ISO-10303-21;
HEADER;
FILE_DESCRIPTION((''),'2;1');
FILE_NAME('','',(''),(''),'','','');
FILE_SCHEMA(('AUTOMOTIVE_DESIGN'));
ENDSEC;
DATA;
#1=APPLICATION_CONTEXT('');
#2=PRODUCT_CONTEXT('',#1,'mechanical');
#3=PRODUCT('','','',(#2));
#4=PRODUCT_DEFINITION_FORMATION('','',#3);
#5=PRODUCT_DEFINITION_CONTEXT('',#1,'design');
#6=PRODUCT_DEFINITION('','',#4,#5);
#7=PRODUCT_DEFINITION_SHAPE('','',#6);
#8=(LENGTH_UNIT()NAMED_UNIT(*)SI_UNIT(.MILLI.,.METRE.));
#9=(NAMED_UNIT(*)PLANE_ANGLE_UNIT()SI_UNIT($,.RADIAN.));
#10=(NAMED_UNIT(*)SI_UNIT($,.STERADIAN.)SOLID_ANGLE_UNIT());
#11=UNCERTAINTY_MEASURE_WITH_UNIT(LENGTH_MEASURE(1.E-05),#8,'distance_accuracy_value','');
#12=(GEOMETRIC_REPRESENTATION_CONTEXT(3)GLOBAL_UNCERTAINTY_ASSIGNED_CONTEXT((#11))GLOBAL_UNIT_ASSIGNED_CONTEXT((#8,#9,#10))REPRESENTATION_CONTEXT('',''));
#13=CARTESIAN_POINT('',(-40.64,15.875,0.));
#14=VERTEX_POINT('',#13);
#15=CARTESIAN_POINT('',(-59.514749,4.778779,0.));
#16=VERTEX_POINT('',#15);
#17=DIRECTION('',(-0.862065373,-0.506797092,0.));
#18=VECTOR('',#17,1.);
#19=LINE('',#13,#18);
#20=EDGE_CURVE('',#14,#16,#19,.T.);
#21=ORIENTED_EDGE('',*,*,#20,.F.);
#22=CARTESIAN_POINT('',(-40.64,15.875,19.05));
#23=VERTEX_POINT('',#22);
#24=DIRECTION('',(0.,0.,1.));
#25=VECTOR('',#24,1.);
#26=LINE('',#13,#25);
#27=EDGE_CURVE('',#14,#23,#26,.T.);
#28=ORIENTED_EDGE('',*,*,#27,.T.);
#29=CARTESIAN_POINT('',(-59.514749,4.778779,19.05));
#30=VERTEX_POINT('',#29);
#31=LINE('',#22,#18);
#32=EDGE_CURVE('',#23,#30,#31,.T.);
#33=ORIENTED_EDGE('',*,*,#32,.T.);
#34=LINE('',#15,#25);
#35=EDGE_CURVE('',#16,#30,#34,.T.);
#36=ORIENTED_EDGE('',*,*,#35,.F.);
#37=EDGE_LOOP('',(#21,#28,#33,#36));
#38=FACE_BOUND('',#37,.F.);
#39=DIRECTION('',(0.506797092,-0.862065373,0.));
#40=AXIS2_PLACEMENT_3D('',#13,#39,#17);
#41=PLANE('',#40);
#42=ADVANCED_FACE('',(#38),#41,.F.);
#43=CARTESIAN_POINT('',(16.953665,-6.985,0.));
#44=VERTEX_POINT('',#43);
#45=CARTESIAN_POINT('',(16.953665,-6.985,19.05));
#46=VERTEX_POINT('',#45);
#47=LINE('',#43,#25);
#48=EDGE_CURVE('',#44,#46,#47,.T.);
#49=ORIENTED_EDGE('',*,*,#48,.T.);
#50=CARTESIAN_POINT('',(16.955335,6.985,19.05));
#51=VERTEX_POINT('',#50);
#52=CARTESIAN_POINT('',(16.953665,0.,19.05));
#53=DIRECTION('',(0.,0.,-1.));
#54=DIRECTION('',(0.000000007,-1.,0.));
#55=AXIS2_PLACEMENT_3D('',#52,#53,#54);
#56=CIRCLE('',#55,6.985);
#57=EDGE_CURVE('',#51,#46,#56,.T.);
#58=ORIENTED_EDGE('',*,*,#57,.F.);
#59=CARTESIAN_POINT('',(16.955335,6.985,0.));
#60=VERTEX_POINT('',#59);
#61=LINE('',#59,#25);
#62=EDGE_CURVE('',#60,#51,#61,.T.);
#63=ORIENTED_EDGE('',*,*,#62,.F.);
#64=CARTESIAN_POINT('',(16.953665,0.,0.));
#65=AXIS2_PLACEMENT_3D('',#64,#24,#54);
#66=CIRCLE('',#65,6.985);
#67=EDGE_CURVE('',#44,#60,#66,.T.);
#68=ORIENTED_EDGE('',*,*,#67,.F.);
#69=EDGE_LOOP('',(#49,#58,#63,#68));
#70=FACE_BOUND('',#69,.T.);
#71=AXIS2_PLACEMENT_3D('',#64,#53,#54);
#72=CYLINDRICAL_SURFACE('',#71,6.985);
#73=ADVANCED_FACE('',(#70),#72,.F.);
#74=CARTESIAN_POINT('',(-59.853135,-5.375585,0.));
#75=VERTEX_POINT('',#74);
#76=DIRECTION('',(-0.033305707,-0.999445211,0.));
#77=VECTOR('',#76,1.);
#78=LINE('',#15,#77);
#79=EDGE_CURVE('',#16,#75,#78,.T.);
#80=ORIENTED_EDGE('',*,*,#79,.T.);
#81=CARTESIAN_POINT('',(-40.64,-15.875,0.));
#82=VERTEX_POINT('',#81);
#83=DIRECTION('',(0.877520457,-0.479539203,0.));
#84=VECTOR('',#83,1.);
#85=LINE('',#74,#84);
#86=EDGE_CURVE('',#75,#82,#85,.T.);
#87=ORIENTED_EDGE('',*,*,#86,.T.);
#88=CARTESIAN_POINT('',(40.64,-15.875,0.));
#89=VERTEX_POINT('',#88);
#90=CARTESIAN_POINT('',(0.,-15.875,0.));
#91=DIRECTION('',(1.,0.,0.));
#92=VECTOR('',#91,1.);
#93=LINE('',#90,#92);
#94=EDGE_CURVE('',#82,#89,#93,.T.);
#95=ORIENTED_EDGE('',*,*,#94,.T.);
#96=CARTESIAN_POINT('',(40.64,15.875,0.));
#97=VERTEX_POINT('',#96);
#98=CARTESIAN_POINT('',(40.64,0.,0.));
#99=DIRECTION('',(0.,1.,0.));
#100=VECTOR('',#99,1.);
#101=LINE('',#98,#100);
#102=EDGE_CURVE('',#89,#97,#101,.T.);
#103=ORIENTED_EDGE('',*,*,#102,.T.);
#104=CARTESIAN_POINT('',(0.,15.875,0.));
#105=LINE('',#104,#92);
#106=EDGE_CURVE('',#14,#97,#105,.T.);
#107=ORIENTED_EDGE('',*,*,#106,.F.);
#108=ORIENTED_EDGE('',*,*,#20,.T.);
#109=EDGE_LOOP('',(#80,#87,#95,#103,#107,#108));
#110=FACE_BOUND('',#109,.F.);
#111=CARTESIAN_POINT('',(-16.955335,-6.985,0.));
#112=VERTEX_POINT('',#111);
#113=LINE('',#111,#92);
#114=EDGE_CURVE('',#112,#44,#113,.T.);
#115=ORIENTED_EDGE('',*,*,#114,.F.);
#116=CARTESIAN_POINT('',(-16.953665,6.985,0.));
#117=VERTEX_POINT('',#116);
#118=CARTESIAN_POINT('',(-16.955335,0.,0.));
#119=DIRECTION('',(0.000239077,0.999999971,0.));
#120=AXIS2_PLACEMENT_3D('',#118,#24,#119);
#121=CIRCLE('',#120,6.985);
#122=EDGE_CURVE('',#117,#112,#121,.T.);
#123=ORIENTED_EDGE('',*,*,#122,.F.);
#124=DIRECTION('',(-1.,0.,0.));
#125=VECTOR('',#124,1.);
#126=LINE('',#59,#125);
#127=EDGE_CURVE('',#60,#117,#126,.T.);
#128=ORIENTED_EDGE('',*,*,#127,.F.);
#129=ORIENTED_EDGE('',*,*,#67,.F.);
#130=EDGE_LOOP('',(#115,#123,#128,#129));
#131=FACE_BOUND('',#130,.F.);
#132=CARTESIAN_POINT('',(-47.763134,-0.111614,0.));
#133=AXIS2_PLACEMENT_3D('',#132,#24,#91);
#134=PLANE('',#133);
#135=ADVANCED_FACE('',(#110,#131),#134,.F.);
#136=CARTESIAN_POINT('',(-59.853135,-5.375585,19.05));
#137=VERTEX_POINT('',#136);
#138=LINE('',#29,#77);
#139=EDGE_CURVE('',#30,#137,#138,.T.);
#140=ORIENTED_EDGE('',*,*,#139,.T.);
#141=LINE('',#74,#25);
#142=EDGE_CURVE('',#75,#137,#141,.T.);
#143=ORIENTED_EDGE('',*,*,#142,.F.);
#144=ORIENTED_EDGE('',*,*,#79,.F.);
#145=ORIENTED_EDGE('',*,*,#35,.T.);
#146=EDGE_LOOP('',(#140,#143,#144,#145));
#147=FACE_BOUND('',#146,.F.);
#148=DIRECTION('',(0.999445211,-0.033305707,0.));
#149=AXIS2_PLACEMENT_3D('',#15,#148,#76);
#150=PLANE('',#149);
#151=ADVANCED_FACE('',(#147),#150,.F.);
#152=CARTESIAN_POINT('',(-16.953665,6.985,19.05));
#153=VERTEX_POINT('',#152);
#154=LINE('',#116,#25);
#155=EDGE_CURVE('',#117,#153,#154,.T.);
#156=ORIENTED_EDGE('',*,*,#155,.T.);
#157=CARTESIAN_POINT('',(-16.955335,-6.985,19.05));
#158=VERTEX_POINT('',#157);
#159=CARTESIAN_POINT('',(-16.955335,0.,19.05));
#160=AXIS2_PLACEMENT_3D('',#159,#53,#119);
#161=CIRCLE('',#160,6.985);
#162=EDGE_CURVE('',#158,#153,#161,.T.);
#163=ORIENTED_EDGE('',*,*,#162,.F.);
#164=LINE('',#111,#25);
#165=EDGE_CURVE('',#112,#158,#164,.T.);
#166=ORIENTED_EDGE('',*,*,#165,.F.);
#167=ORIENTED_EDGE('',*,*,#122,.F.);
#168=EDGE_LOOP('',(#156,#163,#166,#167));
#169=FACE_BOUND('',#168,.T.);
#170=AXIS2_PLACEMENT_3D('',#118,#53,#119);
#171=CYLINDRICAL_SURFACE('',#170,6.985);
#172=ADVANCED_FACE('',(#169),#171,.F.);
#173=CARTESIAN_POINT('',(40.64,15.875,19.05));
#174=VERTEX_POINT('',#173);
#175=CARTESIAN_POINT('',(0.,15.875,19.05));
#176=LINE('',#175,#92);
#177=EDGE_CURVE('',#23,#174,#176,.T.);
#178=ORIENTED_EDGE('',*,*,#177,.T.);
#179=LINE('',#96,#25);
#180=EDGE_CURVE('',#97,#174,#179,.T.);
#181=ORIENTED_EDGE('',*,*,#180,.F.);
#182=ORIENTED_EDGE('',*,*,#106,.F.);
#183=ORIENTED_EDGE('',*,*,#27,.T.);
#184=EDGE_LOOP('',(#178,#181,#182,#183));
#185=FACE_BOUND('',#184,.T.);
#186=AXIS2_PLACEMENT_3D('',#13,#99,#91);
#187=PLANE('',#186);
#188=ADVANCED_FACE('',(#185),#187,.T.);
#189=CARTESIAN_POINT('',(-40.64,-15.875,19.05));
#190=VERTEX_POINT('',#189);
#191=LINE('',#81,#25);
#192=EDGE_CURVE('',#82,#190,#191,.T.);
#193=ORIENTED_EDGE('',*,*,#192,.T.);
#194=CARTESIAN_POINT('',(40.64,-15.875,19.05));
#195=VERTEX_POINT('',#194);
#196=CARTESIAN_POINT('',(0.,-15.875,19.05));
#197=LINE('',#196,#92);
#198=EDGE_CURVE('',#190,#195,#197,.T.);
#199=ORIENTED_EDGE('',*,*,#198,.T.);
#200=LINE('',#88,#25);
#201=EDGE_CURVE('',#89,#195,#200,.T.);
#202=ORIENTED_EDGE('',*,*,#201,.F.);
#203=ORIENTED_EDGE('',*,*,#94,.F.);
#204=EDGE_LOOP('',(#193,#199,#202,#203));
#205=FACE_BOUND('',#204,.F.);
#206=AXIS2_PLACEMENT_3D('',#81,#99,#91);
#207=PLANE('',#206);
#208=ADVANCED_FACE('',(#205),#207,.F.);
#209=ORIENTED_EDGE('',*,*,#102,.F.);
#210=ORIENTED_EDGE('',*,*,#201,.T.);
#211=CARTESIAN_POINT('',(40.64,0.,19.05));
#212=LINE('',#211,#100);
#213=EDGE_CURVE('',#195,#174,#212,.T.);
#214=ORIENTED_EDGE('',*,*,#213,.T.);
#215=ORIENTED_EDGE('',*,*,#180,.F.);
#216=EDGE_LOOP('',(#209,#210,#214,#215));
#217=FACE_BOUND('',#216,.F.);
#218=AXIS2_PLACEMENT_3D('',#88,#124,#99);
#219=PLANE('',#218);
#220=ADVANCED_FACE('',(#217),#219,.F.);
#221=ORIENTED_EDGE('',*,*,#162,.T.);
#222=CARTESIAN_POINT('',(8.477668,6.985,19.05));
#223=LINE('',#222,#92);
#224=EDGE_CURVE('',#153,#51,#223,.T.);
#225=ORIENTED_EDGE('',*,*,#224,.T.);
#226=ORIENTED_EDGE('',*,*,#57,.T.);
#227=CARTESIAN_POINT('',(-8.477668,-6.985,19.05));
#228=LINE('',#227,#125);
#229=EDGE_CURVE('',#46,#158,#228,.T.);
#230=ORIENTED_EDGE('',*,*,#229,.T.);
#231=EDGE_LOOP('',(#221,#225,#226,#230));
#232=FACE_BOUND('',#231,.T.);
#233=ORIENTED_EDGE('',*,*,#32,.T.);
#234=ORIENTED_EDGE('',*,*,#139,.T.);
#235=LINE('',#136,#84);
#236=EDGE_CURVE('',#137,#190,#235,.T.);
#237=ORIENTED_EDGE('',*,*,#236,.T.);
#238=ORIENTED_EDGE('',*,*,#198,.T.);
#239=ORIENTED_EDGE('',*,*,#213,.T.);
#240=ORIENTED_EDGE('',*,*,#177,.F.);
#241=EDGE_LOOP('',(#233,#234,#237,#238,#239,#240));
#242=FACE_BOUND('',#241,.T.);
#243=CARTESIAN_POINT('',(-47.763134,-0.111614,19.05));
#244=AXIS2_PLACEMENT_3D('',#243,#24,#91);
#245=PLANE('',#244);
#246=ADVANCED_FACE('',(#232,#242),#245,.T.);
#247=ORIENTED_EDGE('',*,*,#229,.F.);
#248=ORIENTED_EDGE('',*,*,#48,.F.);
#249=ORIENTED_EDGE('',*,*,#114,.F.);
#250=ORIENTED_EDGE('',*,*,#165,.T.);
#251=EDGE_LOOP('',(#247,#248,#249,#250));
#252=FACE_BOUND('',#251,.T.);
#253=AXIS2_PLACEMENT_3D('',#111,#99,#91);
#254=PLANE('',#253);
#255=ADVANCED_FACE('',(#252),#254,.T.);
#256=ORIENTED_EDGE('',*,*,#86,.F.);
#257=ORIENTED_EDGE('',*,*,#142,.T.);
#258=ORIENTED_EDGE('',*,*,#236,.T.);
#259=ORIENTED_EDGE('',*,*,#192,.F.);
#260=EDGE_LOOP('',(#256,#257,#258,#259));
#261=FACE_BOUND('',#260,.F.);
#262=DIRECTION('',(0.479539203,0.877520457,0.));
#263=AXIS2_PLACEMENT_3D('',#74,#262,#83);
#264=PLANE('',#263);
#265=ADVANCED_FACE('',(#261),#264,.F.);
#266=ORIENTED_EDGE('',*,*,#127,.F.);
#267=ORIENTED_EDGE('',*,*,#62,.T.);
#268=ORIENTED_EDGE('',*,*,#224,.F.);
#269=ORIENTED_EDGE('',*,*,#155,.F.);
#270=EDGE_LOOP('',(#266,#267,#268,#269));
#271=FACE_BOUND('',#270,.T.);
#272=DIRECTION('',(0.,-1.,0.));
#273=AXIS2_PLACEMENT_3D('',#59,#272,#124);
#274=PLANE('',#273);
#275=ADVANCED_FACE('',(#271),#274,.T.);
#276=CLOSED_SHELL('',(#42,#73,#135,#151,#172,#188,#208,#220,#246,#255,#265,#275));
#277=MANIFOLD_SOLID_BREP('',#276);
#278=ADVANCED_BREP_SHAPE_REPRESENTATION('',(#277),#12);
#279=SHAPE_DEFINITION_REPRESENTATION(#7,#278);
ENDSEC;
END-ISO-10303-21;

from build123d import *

# Parameters (mm, degrees)
F0_W          = 81.28
F0_H          = 31.75
F1_DEPTH      = 19.05
F3_DEPTH      = 19.304
F3_DEPTH_BACK = 19.05
F4_DEPTH      = 19.05


with BuildPart() as f1:
    # F0 (on Top) → F1 (new body)
    with BuildSketch(Plane.XY):
        Rectangle(F0_W, F0_H)
    extrude(amount=F1_DEPTH)

    # F2 (on Top) → F3 (cut, two sides)
    with BuildSketch(Plane.XY) as f3_sk:
        with BuildLine():
            ThreePointArc((-16.953665, 6.985), (-23.940335, 0.000835), (-16.955335, -6.985))
            Line((-16.955335, -6.985), (16.953665, -6.985))
            ThreePointArc((16.953665, -6.985), (23.938665, -0.000835), (16.955335, 6.985))
            Line((16.955335, 6.985), (-16.953665, 6.985))
        make_face()
    extrude(amount=F3_DEPTH, mode=Mode.SUBTRACT)
    extrude(f3_sk.sketch, amount=-F3_DEPTH_BACK, mode=Mode.SUBTRACT)

    # F0 (on Top) → F4 (join)
    with BuildSketch(Plane.XY):
        Polygon((-40.64, -15.875), (-40.64, 15.875), (-59.514749, 4.778779), (-59.853135, -5.375585), align=None)
    extrude(amount=F4_DEPTH)


solid = f1.part
